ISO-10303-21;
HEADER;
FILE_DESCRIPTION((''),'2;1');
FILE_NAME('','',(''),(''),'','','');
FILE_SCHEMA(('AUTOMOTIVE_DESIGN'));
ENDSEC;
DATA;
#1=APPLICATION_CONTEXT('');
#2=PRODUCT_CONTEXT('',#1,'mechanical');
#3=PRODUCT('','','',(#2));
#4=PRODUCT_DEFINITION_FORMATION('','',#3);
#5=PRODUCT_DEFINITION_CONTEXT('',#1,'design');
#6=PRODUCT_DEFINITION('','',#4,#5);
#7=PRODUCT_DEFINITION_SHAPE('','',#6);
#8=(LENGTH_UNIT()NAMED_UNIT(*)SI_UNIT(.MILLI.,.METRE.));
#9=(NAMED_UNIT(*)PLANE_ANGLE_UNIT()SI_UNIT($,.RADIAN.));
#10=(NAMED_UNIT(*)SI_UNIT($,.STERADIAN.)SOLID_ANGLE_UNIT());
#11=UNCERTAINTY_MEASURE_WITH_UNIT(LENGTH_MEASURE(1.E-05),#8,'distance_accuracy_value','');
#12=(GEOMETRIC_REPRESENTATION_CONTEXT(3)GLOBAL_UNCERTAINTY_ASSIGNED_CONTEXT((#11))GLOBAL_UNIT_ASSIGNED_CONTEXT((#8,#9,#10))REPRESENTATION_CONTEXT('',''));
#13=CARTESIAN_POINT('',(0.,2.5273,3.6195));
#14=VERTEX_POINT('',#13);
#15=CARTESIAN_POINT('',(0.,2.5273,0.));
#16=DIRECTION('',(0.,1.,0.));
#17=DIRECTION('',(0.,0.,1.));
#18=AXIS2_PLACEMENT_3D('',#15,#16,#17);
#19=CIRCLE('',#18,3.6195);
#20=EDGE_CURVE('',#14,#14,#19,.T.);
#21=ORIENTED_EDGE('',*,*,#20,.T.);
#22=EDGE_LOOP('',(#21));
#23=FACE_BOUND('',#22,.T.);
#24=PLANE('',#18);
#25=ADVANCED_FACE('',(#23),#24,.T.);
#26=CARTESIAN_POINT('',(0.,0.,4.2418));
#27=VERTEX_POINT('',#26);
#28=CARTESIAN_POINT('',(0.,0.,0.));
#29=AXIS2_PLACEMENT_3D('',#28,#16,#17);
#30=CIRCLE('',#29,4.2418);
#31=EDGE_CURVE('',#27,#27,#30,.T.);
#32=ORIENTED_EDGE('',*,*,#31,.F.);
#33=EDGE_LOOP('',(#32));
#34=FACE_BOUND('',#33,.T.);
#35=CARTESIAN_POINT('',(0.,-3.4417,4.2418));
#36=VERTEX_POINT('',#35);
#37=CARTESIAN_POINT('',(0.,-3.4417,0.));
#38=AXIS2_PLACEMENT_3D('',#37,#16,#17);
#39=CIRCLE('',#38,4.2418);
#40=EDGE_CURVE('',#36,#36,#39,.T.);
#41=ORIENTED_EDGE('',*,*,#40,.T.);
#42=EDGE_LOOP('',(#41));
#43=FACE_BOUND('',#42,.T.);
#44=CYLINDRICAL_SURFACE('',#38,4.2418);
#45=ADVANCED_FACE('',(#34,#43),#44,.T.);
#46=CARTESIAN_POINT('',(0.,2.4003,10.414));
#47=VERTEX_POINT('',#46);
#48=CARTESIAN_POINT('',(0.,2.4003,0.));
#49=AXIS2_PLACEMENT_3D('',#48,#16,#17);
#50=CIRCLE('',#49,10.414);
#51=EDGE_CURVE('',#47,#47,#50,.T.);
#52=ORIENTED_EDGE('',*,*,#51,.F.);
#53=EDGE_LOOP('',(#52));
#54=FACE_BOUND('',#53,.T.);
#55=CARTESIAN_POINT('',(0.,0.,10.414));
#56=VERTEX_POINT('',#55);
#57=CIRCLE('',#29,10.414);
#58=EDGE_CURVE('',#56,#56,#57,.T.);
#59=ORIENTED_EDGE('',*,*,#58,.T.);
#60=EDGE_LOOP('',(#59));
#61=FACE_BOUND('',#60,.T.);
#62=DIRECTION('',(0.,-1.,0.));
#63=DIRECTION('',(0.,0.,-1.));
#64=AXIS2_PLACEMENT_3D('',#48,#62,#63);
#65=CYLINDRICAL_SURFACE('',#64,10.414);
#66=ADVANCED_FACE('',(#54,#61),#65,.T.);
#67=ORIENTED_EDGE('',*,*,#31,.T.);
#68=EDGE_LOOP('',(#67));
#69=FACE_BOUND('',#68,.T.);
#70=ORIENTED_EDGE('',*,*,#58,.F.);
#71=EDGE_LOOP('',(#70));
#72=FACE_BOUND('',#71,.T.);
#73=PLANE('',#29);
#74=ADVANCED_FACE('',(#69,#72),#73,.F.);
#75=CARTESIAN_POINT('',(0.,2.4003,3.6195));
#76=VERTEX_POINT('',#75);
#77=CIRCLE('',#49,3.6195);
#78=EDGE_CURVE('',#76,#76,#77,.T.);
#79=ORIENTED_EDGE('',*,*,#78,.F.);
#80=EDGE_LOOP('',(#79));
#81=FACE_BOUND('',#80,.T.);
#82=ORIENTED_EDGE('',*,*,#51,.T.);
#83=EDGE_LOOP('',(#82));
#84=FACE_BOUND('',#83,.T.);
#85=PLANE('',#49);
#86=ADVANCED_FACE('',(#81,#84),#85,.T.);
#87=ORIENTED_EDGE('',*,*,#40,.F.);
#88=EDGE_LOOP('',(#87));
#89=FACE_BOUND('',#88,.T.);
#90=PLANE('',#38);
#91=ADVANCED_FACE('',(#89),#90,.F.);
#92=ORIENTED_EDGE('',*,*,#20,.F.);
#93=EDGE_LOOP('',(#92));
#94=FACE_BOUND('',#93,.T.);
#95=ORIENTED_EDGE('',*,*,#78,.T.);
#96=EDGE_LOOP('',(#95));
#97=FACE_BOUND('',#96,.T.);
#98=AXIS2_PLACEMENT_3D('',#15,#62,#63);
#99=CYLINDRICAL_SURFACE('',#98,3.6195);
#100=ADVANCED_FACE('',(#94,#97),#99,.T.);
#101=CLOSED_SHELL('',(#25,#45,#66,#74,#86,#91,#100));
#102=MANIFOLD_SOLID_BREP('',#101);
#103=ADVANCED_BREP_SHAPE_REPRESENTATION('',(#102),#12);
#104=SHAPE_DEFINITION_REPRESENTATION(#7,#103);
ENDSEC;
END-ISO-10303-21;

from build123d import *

# Parameters (mm, degrees)
SKETCH1_R           = 10.414
BOSS_EXTRUDE1_DEPTH = 2.4003
SKETCH2_R           = 4.2418
BOSS_EXTRUDE2_DEPTH = 5.842
SKETCH3_R           = 3.6195
BOSS_EXTRUDE3_DEPTH = 0.127


with BuildPart() as part:
    # Sketch1 → Boss-Extrude1 (new body)
    with BuildSketch(Plane(origin=(0, 0, 0), x_dir=(1, 0, 0), z_dir=(0, 1, 0))):
        with Locations(Location((0, 0, 0), (0, 0, 270))):
            Circle(SKETCH1_R)
    extrude(amount=BOSS_EXTRUDE1_DEPTH)

    # Sketch2 → Boss-Extrude2 (add)
    with BuildSketch(Plane(origin=(0, 2.4003, 0), x_dir=(1, 0, 0), z_dir=(0, 1, 0))):
        with Locations(Location((0, 0, 0), (0, 0, 270))):
            Circle(SKETCH2_R)
    extrude(amount=-BOSS_EXTRUDE2_DEPTH)

    # Sketch3 → Boss-Extrude3 (add)
    with BuildSketch(Plane(origin=(0, 2.4003, 0), x_dir=(1, 0, 0), z_dir=(0, 1, 0))):
        with Locations(Location((0, 0, 0), (0, 0, 270))):
            Circle(SKETCH3_R)
    extrude(amount=BOSS_EXTRUDE3_DEPTH)


solid = part.part
